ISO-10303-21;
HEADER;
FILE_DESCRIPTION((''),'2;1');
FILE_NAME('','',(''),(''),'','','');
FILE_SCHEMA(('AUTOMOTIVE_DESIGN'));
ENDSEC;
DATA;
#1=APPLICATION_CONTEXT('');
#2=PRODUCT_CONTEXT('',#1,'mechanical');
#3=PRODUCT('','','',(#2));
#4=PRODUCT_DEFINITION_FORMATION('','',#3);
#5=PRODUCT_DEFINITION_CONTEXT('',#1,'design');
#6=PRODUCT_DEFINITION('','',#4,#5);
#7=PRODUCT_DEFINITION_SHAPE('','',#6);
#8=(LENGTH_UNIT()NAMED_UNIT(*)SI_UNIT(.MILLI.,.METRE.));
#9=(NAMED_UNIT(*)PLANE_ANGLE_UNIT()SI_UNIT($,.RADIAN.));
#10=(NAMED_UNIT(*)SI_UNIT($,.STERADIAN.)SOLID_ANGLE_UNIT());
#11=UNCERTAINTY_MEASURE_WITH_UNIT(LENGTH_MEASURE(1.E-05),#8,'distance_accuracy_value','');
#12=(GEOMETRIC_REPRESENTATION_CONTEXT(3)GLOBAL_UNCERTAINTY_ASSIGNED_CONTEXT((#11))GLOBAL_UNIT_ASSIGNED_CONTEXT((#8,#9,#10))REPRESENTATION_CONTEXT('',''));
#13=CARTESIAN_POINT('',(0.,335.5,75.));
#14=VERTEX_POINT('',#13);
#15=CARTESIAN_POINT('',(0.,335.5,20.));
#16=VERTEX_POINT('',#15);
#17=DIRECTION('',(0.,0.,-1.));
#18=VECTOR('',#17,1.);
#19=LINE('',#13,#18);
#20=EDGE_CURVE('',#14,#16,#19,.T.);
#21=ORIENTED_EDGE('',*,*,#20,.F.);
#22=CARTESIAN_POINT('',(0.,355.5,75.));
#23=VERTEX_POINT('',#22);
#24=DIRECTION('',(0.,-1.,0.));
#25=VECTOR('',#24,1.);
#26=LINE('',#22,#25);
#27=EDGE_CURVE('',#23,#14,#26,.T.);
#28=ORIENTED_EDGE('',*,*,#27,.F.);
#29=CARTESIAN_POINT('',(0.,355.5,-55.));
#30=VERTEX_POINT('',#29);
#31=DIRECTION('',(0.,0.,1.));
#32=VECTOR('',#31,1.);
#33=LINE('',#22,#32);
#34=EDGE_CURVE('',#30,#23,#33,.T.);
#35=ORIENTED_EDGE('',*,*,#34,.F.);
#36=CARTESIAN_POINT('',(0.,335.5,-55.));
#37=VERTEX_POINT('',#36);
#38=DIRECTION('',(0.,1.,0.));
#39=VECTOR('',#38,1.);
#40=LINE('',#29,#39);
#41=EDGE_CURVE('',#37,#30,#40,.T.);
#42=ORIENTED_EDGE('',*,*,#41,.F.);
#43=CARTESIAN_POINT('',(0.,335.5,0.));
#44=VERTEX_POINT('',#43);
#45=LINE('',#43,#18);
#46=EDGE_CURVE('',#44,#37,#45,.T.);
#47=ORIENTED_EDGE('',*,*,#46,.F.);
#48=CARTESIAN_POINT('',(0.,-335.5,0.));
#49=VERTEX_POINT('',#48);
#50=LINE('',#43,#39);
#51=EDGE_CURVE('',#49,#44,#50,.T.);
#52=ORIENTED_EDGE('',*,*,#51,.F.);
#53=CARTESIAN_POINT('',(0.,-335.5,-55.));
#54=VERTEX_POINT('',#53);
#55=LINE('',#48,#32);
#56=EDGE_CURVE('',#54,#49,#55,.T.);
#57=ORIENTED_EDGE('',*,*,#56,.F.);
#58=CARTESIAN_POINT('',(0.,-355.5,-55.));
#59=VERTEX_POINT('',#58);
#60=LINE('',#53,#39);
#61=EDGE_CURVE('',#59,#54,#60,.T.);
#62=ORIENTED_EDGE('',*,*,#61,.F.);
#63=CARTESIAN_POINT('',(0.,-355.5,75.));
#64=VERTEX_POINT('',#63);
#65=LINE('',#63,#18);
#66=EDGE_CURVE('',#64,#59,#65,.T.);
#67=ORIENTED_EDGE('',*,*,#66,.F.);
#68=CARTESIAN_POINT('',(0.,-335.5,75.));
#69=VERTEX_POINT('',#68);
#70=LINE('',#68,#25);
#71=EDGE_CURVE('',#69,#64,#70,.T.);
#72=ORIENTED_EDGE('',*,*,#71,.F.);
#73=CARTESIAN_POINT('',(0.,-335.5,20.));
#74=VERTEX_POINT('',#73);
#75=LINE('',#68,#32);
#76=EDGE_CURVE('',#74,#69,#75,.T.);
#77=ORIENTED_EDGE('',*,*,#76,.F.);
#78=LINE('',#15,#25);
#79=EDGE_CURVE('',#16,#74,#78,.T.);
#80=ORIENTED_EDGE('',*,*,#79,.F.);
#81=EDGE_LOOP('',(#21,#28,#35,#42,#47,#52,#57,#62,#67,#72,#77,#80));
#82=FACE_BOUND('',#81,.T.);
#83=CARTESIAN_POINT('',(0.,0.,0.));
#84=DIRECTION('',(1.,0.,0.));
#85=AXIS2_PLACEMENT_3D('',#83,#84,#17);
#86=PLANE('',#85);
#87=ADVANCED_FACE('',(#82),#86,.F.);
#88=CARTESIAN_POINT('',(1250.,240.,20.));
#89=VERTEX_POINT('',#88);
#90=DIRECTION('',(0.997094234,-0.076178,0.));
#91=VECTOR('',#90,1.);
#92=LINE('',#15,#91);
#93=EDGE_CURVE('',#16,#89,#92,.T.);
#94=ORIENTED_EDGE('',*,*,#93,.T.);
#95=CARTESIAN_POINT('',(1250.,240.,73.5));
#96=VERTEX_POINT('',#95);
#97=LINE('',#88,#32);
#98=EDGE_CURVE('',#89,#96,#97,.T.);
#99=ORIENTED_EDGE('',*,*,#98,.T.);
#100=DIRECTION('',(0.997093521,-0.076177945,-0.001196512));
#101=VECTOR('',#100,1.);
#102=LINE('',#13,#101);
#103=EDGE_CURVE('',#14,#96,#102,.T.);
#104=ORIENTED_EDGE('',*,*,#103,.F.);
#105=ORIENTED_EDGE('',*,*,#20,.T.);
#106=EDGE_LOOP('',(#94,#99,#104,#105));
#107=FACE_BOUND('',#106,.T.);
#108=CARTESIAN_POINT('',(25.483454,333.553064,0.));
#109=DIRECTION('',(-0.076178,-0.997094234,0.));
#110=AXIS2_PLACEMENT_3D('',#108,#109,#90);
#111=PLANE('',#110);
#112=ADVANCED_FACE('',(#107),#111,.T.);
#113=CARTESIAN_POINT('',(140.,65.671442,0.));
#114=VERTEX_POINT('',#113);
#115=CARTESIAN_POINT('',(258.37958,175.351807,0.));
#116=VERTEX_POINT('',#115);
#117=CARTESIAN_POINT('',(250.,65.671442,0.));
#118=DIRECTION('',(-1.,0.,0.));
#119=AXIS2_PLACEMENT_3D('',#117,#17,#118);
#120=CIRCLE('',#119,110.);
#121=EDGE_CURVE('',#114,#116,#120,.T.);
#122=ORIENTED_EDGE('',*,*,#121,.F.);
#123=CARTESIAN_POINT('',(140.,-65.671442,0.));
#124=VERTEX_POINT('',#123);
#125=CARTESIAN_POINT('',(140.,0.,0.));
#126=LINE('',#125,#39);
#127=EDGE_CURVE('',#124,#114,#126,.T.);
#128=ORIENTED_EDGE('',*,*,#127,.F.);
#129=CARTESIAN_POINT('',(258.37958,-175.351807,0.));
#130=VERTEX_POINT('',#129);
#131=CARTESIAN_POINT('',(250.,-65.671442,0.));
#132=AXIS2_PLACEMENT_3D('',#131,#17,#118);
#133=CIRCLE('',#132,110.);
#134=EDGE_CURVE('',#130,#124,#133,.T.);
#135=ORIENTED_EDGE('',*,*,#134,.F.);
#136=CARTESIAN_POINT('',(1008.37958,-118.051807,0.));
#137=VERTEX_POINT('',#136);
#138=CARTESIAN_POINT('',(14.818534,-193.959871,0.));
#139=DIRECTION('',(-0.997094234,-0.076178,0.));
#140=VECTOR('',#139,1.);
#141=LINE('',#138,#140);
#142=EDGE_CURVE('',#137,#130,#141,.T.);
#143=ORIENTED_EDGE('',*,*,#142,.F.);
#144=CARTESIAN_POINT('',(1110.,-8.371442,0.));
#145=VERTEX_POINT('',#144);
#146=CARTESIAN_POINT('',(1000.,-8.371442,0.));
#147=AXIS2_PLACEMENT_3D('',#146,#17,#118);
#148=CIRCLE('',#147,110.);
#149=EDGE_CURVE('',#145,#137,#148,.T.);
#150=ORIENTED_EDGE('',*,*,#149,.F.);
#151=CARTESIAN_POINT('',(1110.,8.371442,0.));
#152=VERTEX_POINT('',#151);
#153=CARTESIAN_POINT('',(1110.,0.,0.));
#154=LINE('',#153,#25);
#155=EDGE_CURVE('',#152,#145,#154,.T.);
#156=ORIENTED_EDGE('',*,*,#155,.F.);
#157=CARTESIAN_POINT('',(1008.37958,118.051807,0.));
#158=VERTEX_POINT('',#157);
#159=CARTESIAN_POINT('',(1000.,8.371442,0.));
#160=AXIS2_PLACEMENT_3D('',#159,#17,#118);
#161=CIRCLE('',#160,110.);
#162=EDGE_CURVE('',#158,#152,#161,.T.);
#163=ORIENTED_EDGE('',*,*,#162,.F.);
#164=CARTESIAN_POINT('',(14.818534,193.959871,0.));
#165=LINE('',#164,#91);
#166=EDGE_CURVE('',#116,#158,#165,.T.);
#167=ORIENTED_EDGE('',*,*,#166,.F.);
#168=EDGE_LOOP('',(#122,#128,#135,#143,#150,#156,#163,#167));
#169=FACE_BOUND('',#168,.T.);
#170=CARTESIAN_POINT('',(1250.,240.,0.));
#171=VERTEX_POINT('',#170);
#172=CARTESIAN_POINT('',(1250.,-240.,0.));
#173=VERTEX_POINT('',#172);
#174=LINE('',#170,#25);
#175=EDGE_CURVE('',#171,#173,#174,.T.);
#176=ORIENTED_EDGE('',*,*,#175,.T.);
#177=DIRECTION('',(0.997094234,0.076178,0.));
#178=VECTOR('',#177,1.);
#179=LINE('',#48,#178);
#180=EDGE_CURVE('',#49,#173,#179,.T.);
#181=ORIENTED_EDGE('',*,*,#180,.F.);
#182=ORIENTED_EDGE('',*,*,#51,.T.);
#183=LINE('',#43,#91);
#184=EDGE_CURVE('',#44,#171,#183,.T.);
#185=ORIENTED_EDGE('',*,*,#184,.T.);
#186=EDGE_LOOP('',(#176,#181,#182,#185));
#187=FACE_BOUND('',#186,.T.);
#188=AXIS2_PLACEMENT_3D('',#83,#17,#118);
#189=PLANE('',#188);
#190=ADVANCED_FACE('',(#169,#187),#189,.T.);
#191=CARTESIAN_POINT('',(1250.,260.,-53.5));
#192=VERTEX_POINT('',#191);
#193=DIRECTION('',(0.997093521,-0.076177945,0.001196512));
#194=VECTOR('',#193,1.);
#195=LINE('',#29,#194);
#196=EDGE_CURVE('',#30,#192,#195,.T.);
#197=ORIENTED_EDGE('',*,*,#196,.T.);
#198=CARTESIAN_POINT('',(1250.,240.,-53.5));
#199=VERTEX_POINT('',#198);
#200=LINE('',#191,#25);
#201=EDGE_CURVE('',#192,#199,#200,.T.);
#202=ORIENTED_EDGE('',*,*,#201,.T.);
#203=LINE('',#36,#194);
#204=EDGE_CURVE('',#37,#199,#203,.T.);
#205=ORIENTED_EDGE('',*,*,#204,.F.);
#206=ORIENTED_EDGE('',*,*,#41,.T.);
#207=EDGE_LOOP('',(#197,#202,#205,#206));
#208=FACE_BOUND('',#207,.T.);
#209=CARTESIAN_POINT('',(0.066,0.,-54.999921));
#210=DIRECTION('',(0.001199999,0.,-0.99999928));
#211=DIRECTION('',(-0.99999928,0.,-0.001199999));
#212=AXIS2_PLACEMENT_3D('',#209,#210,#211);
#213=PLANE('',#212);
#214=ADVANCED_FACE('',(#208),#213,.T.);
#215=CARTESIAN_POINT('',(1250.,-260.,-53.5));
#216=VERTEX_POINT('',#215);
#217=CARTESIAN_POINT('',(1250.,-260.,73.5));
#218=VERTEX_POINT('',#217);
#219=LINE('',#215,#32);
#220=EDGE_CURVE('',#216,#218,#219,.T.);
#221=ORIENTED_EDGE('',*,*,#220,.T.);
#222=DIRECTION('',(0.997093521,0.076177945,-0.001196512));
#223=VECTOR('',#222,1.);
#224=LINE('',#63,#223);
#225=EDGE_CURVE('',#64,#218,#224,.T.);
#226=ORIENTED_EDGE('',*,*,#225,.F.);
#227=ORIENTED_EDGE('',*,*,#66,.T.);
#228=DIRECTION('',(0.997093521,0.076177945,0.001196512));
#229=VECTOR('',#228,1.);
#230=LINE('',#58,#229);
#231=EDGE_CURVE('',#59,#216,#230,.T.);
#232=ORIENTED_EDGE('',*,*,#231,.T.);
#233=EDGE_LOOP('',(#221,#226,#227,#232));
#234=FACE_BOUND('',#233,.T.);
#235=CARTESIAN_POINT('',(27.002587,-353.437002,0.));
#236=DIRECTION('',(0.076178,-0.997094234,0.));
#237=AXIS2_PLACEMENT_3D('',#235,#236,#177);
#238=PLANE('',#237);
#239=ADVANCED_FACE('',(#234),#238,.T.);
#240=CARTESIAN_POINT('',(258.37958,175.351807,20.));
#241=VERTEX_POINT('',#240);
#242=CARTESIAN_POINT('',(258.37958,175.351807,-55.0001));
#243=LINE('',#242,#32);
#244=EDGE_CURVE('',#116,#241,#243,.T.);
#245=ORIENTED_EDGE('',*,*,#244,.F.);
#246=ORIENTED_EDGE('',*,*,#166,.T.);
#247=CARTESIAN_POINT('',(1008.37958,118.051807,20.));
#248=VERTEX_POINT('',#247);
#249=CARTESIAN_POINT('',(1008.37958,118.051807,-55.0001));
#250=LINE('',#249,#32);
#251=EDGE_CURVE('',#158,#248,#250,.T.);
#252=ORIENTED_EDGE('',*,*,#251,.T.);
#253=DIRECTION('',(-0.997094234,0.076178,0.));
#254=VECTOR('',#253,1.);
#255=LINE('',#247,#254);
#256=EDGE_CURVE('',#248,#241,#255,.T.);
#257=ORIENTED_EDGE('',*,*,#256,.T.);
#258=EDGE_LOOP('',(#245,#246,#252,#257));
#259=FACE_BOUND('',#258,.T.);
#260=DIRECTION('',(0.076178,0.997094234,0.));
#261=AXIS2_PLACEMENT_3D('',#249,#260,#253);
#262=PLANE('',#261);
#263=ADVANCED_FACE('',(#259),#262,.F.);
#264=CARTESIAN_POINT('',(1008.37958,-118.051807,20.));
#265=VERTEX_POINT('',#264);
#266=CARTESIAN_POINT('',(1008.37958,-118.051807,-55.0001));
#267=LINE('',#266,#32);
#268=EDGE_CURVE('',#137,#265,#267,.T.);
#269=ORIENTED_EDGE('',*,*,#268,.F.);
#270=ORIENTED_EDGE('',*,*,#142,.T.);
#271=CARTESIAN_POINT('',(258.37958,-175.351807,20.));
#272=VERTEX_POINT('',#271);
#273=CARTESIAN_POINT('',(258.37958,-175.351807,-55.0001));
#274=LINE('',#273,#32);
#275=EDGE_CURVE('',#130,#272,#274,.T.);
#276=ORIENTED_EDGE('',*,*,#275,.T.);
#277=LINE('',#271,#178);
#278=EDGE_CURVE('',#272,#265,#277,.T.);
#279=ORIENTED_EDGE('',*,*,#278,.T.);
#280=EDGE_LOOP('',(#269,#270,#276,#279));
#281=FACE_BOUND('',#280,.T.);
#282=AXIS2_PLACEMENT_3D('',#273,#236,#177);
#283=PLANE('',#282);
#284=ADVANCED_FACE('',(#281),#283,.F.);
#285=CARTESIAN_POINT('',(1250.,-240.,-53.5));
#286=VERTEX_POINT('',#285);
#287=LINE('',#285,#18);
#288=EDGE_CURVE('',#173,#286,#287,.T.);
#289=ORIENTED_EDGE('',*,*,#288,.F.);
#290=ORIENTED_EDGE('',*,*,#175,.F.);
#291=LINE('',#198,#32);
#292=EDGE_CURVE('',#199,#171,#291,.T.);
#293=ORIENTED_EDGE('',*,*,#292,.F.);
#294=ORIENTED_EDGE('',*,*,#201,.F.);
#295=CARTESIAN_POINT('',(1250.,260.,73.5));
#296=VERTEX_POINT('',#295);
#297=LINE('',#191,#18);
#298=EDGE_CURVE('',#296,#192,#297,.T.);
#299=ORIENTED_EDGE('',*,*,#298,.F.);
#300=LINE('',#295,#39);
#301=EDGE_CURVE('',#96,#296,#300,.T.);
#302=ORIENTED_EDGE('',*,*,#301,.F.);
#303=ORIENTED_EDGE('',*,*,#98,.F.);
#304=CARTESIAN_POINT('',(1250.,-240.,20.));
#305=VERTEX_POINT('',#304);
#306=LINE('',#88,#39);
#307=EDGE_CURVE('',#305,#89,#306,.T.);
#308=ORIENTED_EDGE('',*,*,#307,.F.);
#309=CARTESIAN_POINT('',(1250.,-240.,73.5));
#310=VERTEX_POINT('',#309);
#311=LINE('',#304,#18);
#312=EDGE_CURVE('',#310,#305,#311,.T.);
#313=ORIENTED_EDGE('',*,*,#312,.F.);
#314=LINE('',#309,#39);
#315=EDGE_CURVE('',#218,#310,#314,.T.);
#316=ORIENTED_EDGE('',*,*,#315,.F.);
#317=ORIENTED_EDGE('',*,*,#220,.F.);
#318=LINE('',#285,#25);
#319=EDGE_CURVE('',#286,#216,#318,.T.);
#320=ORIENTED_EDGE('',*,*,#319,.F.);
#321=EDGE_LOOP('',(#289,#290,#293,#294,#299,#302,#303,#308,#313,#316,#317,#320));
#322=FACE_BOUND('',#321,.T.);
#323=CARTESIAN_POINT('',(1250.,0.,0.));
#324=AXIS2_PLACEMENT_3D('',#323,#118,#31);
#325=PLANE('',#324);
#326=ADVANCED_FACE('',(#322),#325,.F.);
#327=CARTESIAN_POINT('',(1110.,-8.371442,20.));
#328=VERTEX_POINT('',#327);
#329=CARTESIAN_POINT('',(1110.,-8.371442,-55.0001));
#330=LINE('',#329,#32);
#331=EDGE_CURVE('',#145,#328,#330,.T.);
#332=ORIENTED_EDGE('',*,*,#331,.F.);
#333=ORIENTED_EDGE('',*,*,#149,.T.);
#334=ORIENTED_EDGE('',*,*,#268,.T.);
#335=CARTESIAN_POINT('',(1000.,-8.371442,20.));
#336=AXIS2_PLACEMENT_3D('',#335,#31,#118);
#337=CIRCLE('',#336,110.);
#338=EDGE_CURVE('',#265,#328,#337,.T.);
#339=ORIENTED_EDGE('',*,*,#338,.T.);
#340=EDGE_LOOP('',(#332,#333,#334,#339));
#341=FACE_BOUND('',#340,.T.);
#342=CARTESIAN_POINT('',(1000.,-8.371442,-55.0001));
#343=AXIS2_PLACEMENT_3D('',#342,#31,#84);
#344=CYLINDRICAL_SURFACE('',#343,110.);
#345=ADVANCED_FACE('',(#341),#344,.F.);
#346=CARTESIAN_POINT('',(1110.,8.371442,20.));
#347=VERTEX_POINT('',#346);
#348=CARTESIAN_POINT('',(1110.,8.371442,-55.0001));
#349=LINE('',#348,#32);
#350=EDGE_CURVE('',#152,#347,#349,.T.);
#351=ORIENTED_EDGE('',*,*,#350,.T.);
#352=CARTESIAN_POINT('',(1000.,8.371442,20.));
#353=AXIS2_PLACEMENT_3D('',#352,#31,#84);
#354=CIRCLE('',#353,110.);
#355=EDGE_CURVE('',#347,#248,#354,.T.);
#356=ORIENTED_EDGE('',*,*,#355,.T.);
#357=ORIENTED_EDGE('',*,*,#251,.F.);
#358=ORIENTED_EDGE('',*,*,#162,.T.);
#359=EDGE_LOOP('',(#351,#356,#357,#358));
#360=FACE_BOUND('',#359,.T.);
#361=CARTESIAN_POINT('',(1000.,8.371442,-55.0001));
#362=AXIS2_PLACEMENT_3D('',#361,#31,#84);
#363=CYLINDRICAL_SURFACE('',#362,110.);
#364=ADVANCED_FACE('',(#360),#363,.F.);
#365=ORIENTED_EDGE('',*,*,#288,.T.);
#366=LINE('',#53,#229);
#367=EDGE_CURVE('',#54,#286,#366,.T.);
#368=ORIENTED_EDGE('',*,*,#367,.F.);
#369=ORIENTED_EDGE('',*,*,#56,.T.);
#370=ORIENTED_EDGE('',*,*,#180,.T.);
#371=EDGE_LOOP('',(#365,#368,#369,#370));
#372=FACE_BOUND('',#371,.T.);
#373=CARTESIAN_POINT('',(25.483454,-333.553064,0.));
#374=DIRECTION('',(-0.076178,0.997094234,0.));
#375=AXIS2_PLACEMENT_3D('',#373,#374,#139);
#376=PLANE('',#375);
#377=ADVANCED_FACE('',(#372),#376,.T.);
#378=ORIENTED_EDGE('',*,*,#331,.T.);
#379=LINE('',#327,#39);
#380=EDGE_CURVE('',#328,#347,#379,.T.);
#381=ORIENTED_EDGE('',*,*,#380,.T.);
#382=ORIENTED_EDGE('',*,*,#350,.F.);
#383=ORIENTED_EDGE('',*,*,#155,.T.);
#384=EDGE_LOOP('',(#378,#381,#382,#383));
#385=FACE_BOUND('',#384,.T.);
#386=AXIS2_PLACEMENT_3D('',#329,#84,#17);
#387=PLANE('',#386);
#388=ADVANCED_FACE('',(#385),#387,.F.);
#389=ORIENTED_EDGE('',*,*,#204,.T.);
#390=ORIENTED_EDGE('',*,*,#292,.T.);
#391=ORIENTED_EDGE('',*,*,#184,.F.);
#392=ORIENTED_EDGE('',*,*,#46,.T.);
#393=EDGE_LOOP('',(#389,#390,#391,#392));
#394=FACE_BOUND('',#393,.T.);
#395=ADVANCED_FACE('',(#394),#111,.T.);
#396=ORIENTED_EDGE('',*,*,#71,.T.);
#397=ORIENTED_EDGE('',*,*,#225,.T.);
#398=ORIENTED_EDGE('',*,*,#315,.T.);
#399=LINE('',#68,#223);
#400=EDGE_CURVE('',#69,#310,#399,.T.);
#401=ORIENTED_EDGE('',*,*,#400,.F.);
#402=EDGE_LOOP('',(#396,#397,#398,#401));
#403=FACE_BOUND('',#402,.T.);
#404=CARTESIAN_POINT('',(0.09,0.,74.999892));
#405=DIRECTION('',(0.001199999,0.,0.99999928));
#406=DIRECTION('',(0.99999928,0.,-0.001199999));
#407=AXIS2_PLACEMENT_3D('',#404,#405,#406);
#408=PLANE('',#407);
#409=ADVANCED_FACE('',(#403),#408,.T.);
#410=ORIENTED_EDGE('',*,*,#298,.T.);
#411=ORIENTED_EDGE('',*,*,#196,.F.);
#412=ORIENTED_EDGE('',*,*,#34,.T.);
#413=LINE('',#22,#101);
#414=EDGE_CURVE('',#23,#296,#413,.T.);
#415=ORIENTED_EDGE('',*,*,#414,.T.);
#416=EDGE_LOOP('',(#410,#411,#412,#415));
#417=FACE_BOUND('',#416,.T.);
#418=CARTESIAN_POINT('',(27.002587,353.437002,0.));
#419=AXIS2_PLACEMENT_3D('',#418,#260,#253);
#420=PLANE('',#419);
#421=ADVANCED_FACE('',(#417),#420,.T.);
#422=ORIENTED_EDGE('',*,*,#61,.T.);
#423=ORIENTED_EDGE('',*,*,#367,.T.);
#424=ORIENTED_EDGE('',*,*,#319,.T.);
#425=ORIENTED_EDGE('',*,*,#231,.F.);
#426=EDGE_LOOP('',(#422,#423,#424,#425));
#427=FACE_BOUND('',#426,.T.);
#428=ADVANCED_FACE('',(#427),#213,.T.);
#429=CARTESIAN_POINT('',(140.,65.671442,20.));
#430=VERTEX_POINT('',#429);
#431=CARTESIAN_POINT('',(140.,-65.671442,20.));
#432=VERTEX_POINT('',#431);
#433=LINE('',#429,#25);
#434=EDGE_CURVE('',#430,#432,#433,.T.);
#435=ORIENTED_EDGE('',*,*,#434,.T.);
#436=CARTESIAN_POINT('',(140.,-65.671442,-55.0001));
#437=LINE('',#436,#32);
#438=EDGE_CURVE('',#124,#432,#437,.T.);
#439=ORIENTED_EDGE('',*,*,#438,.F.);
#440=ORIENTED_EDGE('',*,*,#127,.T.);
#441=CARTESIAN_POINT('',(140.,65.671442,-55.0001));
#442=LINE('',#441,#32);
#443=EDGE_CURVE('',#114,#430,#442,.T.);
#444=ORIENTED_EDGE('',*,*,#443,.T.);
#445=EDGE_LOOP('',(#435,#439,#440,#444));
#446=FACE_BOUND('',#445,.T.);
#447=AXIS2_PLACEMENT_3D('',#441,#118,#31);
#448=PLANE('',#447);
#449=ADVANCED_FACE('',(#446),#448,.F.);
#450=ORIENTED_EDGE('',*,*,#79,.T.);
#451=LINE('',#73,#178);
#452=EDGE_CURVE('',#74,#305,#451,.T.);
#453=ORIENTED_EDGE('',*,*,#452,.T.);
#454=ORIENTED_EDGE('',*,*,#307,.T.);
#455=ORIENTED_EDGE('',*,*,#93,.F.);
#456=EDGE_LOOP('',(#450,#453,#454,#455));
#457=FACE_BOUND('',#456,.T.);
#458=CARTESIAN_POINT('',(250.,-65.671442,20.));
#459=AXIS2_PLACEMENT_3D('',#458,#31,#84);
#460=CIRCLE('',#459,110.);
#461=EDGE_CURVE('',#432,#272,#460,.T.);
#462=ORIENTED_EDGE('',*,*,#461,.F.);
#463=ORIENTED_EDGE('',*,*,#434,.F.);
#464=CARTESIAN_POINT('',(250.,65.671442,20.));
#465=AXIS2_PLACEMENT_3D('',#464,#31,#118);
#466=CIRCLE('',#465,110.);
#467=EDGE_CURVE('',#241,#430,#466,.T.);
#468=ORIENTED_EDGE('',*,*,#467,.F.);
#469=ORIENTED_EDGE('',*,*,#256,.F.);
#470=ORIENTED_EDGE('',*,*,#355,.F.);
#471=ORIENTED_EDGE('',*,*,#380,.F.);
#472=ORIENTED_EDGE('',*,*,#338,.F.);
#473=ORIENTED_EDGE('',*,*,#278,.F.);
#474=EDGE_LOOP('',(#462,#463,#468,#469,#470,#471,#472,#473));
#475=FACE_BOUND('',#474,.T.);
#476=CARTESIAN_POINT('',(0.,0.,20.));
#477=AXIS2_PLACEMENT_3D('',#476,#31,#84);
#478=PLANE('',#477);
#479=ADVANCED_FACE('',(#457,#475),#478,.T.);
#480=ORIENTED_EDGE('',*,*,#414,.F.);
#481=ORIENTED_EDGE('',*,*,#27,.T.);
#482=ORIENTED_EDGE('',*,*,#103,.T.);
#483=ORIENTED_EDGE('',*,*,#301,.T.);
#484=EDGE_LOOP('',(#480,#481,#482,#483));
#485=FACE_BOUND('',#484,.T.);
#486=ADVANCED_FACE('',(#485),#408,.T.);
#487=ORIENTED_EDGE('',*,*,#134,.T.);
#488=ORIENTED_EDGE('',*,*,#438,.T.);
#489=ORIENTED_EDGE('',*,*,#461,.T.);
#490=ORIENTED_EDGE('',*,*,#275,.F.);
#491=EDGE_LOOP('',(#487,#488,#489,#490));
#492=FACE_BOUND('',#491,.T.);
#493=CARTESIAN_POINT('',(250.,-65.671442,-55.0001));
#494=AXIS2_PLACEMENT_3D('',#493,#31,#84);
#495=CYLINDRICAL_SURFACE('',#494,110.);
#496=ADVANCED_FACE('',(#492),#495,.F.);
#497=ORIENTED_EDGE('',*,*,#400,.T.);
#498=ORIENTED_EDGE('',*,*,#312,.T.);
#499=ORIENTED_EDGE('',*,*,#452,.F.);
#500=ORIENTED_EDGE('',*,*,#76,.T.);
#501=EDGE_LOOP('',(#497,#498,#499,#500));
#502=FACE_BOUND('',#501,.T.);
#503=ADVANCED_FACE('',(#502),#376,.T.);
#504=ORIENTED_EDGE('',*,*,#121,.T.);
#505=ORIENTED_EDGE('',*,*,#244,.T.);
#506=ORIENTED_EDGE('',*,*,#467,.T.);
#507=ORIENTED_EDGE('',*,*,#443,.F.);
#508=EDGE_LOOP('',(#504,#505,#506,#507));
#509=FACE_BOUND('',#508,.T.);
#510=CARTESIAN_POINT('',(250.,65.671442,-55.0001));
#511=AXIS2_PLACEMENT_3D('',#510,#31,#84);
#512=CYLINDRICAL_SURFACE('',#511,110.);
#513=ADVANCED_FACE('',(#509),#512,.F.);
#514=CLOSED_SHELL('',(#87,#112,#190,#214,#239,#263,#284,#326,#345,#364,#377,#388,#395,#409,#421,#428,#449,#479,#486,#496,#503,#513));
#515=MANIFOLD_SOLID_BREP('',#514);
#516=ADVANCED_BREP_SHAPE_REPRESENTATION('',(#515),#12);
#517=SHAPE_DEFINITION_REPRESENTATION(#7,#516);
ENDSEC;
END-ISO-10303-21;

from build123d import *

# Parameters (mm, degrees)
CUT_EXTRUDE1_DEPTH = 76.0000001


with BuildPart() as part:
    # Sketch1 → Loft l2 section 0
    with BuildSketch(Plane(origin=(0, 0, 0), x_dir=(0, 0, -1), z_dir=(1, 0, 0))):
        Polygon((-75, 355.5), (55, 355.5), (55, 335.5), (0, 335.5), (0, -335.5), (55, -335.5), (55, -355.5), (-75, -355.5), (-75, -335.5), (-20, -335.5), (-20, 335.5), (-75, 335.5), align=None)
    # Sketch4 → Loft l2 section 1
    with BuildSketch(Plane(origin=(1250, 0, -1000), x_dir=(0, 0, 1), z_dir=(-1, 0, 0))):
        Polygon((946.5, 260), (1073.5, 260), (1073.5, 240), (1020, 240), (1020, -240), (1073.5, -240), (1073.5, -260), (946.5, -260), (946.5, -240), (1000, -240), (1000, 240), (946.5, 240), align=None)
    loft()

    # Sketch6 → Cut-Extrude1 (cut, through all)
    with BuildSketch(Plane.XY.offset(20)):
        with BuildLine():
            Line((258.379579946, -175.351807385), (1008.379579946, -118.051807385))
            ThreePointArc((1008.379579946, -118.051807385), (1080.690004939, -83.131879682), (1110, -8.371441595))
            Line((1110, -8.371441595), (1110, 8.371441595))
            ThreePointArc((1110, 8.371441595), (1080.690004939, 83.131879682), (1008.379579946, 118.051807385))
            Line((1008.379579946, 118.051807385), (258.379579946, 175.351807385))
            ThreePointArc((258.379579946, 175.351807385), (175.239561913, 146.361446534), (140, 65.671441595))
            Line((140, 65.671441595), (140, -65.671441595))
            ThreePointArc((140, -65.671441595), (175.239561913, -146.361446534), (258.379579946, -175.351807385))
        make_face()
    extrude(amount=-CUT_EXTRUDE1_DEPTH, mode=Mode.SUBTRACT)


solid = part.part
